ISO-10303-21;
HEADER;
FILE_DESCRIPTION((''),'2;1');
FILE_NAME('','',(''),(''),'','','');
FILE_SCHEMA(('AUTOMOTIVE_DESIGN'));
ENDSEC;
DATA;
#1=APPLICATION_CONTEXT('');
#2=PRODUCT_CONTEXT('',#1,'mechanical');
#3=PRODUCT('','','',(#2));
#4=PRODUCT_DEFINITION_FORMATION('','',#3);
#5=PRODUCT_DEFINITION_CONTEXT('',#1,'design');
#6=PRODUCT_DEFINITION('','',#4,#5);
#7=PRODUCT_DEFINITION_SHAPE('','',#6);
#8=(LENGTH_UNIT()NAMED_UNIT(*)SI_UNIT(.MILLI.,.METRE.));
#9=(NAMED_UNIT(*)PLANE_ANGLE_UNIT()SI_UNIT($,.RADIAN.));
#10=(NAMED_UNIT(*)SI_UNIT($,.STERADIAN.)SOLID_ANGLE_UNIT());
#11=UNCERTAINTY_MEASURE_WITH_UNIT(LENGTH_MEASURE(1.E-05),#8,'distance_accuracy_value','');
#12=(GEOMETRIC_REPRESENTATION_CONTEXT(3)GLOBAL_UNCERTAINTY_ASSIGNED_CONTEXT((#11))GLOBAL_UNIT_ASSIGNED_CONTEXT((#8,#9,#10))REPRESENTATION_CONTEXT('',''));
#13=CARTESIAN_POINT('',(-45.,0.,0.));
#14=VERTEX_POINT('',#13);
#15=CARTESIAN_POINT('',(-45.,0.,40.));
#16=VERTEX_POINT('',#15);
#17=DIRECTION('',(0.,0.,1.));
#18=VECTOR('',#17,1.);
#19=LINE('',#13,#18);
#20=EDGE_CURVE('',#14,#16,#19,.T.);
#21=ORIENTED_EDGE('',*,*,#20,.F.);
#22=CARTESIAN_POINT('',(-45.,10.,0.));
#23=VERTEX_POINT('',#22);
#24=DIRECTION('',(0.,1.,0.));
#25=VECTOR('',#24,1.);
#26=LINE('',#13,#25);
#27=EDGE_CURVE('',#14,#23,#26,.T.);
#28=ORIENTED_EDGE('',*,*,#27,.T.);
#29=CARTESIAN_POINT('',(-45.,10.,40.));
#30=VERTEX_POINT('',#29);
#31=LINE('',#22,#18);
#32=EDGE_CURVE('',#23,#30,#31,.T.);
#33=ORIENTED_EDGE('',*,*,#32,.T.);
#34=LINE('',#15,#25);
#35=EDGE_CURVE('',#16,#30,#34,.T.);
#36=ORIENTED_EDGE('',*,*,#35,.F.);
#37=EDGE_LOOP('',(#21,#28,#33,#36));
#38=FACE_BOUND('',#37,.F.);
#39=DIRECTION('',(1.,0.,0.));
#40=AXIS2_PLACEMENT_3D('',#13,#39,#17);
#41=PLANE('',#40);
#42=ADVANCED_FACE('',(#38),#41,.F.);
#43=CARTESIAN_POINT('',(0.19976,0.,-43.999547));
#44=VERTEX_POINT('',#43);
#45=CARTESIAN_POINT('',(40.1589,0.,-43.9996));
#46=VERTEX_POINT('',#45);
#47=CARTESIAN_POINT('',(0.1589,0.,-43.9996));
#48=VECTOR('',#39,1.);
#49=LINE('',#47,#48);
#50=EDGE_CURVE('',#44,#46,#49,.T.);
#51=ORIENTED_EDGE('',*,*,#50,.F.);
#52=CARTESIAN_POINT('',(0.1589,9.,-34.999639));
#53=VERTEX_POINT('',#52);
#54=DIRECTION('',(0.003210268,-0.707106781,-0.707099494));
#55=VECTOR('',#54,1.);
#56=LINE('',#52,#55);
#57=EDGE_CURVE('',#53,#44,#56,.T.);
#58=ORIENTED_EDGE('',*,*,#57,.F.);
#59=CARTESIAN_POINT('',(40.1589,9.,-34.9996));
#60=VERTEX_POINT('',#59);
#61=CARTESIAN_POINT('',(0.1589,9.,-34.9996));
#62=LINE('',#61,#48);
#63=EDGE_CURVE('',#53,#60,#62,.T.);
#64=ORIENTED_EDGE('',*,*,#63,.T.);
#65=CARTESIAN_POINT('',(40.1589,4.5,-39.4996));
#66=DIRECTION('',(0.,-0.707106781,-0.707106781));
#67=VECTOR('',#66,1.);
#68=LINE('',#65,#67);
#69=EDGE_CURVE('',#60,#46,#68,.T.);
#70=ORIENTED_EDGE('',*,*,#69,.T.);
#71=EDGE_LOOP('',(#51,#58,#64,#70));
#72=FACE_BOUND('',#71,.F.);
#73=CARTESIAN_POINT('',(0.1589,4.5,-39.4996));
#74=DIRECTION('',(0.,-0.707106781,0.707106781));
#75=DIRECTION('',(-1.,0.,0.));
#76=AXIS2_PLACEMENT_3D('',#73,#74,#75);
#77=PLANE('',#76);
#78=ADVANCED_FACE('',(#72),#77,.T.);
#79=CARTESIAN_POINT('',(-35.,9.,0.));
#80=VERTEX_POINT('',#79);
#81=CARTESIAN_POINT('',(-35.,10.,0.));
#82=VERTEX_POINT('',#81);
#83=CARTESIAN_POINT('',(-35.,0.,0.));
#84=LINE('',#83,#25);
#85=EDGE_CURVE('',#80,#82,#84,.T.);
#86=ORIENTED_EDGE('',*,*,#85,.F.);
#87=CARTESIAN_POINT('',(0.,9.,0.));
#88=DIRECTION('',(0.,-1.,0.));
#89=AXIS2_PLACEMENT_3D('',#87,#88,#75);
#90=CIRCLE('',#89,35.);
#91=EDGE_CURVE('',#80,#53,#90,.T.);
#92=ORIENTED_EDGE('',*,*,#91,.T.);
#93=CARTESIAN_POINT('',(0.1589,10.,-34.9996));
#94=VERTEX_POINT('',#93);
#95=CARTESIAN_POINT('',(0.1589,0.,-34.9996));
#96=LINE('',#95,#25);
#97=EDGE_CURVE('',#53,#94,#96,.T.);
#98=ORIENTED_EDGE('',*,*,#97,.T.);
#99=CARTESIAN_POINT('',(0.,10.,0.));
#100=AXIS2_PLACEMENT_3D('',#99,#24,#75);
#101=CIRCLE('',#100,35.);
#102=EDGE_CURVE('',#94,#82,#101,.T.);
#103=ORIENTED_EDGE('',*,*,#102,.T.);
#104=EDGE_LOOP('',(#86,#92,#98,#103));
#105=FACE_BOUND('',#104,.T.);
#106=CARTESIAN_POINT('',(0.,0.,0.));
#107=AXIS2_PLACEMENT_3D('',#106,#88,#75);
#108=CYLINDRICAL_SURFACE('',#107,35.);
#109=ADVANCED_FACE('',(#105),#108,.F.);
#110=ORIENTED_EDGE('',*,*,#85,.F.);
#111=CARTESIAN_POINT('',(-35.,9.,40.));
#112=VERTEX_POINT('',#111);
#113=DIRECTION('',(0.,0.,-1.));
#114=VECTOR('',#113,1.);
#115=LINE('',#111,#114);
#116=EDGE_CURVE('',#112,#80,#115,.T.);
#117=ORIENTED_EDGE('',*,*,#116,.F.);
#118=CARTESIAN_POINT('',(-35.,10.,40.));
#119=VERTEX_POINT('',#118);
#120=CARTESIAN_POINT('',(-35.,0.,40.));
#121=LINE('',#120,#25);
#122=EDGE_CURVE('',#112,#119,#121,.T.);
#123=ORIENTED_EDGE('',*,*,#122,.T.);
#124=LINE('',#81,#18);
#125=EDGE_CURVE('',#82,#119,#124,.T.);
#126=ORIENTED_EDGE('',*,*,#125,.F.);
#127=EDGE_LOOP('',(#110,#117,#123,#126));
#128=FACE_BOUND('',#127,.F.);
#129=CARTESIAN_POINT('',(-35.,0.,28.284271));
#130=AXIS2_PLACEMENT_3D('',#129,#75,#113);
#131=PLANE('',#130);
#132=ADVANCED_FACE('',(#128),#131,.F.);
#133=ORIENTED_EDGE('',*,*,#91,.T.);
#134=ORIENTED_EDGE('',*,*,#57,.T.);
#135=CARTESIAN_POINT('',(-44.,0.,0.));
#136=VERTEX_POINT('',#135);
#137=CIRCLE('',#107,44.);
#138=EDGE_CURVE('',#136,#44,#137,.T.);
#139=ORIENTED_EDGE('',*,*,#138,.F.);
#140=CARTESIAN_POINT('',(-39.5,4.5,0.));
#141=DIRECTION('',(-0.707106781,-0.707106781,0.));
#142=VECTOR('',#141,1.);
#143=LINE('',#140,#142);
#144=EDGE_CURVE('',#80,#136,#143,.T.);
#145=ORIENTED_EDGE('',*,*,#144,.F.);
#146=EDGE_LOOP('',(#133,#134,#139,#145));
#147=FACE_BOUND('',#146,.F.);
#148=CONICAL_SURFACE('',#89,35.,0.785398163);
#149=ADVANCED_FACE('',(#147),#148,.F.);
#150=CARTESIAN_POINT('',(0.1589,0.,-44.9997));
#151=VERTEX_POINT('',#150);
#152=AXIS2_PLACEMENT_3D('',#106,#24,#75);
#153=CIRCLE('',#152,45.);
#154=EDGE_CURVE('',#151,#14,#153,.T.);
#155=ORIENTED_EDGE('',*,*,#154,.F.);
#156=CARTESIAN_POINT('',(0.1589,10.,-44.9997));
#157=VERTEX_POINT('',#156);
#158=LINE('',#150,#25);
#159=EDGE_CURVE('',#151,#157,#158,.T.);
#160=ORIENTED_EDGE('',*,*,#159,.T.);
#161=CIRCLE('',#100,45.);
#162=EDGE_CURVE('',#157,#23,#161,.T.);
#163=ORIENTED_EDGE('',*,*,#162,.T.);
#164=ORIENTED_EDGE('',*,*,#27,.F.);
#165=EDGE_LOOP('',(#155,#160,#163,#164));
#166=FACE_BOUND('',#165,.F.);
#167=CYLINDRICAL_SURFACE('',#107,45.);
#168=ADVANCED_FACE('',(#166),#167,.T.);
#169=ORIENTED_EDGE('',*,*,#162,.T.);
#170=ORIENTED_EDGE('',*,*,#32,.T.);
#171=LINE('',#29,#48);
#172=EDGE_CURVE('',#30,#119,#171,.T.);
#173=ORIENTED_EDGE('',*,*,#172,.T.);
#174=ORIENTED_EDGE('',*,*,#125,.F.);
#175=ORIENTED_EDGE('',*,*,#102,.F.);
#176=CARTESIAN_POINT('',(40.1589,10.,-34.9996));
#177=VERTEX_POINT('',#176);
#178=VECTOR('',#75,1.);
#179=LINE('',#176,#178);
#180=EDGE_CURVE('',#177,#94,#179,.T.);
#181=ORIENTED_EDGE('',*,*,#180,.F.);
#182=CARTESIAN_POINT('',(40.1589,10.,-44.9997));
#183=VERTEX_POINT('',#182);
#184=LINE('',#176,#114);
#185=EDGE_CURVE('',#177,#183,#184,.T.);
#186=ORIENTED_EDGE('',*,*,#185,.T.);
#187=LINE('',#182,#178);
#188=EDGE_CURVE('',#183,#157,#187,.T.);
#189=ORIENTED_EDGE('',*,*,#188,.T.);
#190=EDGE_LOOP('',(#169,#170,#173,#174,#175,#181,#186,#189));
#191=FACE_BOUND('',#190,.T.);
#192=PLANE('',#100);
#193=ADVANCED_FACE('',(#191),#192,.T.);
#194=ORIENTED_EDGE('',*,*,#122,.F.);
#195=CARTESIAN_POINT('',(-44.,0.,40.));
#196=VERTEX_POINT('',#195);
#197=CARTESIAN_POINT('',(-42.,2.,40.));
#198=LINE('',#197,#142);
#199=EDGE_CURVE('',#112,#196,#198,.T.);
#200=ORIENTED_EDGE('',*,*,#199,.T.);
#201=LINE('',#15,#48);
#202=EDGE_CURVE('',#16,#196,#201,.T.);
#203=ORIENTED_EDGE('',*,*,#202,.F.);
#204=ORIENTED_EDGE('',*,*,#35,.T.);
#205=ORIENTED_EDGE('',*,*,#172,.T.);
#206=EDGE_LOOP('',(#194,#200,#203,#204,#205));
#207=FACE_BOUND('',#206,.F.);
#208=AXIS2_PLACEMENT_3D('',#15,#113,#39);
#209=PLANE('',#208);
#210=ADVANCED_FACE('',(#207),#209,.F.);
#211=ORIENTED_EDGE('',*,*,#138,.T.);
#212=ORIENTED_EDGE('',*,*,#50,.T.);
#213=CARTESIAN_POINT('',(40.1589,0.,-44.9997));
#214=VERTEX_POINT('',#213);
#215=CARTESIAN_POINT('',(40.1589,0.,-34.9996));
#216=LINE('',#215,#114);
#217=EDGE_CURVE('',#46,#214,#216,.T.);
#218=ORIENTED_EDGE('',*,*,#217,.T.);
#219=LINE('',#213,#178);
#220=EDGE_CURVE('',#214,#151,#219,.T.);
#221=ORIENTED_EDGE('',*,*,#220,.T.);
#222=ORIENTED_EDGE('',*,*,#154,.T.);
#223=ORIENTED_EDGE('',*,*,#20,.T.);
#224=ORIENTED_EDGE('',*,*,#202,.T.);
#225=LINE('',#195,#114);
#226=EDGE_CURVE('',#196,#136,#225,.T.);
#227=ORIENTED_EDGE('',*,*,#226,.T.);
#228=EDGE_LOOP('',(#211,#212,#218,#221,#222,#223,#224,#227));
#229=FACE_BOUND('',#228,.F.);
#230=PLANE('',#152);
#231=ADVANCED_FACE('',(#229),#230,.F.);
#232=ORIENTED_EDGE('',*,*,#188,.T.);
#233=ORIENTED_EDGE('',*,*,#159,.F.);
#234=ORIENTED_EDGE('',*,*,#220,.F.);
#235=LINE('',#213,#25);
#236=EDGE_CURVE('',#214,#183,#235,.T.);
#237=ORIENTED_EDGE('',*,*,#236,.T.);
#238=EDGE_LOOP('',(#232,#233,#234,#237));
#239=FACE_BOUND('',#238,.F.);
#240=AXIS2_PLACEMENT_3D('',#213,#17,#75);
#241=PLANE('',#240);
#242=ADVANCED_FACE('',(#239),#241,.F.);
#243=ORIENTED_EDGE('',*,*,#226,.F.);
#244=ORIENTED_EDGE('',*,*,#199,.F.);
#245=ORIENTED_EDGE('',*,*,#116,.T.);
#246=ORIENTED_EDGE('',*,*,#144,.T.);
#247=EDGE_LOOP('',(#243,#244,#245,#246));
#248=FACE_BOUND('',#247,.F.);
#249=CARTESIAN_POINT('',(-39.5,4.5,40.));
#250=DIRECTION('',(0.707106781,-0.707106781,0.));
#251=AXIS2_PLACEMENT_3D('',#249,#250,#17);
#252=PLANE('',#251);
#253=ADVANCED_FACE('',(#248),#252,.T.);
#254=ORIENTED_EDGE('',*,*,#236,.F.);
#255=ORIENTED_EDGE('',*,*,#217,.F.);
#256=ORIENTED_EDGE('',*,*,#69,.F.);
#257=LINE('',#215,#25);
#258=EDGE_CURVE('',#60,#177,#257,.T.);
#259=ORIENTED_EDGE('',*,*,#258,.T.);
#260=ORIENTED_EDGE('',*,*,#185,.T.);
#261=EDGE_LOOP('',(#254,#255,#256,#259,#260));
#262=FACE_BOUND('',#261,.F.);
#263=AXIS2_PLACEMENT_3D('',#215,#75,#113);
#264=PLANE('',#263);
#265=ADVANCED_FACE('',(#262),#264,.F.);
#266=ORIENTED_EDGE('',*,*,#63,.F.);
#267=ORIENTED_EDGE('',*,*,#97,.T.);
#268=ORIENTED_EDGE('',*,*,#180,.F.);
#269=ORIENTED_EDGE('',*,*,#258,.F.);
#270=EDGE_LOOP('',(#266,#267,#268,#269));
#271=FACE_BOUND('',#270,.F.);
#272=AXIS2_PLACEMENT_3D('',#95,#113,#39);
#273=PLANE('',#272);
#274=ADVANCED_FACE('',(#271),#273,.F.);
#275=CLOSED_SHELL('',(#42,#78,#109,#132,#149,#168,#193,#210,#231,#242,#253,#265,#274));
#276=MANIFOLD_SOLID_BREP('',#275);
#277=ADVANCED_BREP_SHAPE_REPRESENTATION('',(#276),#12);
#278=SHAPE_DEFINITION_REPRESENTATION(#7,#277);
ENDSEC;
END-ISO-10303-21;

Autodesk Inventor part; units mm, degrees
ref_plane "YZ Plane" through (0, 0, 0) normal (1, 0, 0) x (0, 1, 0)
ref_plane "XZ Plane" through (0, 0, 0) normal (0, 1, 0) x (-1, 0, 0)
ref_plane "XY Plane" through (0, 0, 0) normal (0, 0, 1) x (1, 0, 0)
sketch "Sketch1" plane through (0, 0, 0) normal (0, 1, 0) x (-1, 0, 0)
  circle A0 centre (0, 0) radius 45
  circle A1 centre (0, 0) radius 35
  line L0 (35, 0) -> (45, 0)
  line L1 (45, 0) -> (45, 40)
  line L2 (45, 40) -> (35, 40)
  line L3 (35, 40) -> (35, 0)
  line L4 (-0.1589, -34.9996) -> (-40.1589, -34.9996)
  line L5 (-40.1589, -34.9996) -> (-40.1589, -44.9997)
  line L6 (-40.1589, -44.9997) -> (-0.1589, -44.9997)
  line L7 (-0.1589, -44.9997) -> (-0.1589, -34.9996)
  point P0 (-0.1589, -44.9997)
  point P1 (45, 0)
  point P2 (-28.2847, -34.9996)
  point P3 (35, 28.2843)
  point P4 (-0.1589, -44.9997)
  dimension "d0" = 90
  dimension "d1" = 70
  dimension "d2" = 40
  dimension "d3" = 40
extrude "Extrusion1" add sketch "Sketch1" along normal blind 10 contours L7 A1 L0 A0 | L6 L5 L4 A0 | A0 L4 L7 | L0 L3 A0 | A0 L3 L2 L1
chamfer "Chamfer1" distance 9 angle 45 3 edges at (-35, 0, 20) (-24.6925, 0, -24.8048) (20.1589, 0, -34.9996)
equation "\"BendRadius\" = Thickness"
equation "\"BendReliefWidth\" = Thickness"
equation "\"BendReliefDepth\" = 0.5 * Thickness"
equation "\"CornerReliefSize\" = 4 * Thickness"
equation "\"MinimumRemnant\" = 2 * Thickness"
equation "\"TransitionRadius\" = BendRadius"
equation "\"JacobiRadiusSize\" = BendRadius"
equation "\"GapSize\" = Thickness"
equation "\"Thickness\" = 0.5"
properties part number "test1"
